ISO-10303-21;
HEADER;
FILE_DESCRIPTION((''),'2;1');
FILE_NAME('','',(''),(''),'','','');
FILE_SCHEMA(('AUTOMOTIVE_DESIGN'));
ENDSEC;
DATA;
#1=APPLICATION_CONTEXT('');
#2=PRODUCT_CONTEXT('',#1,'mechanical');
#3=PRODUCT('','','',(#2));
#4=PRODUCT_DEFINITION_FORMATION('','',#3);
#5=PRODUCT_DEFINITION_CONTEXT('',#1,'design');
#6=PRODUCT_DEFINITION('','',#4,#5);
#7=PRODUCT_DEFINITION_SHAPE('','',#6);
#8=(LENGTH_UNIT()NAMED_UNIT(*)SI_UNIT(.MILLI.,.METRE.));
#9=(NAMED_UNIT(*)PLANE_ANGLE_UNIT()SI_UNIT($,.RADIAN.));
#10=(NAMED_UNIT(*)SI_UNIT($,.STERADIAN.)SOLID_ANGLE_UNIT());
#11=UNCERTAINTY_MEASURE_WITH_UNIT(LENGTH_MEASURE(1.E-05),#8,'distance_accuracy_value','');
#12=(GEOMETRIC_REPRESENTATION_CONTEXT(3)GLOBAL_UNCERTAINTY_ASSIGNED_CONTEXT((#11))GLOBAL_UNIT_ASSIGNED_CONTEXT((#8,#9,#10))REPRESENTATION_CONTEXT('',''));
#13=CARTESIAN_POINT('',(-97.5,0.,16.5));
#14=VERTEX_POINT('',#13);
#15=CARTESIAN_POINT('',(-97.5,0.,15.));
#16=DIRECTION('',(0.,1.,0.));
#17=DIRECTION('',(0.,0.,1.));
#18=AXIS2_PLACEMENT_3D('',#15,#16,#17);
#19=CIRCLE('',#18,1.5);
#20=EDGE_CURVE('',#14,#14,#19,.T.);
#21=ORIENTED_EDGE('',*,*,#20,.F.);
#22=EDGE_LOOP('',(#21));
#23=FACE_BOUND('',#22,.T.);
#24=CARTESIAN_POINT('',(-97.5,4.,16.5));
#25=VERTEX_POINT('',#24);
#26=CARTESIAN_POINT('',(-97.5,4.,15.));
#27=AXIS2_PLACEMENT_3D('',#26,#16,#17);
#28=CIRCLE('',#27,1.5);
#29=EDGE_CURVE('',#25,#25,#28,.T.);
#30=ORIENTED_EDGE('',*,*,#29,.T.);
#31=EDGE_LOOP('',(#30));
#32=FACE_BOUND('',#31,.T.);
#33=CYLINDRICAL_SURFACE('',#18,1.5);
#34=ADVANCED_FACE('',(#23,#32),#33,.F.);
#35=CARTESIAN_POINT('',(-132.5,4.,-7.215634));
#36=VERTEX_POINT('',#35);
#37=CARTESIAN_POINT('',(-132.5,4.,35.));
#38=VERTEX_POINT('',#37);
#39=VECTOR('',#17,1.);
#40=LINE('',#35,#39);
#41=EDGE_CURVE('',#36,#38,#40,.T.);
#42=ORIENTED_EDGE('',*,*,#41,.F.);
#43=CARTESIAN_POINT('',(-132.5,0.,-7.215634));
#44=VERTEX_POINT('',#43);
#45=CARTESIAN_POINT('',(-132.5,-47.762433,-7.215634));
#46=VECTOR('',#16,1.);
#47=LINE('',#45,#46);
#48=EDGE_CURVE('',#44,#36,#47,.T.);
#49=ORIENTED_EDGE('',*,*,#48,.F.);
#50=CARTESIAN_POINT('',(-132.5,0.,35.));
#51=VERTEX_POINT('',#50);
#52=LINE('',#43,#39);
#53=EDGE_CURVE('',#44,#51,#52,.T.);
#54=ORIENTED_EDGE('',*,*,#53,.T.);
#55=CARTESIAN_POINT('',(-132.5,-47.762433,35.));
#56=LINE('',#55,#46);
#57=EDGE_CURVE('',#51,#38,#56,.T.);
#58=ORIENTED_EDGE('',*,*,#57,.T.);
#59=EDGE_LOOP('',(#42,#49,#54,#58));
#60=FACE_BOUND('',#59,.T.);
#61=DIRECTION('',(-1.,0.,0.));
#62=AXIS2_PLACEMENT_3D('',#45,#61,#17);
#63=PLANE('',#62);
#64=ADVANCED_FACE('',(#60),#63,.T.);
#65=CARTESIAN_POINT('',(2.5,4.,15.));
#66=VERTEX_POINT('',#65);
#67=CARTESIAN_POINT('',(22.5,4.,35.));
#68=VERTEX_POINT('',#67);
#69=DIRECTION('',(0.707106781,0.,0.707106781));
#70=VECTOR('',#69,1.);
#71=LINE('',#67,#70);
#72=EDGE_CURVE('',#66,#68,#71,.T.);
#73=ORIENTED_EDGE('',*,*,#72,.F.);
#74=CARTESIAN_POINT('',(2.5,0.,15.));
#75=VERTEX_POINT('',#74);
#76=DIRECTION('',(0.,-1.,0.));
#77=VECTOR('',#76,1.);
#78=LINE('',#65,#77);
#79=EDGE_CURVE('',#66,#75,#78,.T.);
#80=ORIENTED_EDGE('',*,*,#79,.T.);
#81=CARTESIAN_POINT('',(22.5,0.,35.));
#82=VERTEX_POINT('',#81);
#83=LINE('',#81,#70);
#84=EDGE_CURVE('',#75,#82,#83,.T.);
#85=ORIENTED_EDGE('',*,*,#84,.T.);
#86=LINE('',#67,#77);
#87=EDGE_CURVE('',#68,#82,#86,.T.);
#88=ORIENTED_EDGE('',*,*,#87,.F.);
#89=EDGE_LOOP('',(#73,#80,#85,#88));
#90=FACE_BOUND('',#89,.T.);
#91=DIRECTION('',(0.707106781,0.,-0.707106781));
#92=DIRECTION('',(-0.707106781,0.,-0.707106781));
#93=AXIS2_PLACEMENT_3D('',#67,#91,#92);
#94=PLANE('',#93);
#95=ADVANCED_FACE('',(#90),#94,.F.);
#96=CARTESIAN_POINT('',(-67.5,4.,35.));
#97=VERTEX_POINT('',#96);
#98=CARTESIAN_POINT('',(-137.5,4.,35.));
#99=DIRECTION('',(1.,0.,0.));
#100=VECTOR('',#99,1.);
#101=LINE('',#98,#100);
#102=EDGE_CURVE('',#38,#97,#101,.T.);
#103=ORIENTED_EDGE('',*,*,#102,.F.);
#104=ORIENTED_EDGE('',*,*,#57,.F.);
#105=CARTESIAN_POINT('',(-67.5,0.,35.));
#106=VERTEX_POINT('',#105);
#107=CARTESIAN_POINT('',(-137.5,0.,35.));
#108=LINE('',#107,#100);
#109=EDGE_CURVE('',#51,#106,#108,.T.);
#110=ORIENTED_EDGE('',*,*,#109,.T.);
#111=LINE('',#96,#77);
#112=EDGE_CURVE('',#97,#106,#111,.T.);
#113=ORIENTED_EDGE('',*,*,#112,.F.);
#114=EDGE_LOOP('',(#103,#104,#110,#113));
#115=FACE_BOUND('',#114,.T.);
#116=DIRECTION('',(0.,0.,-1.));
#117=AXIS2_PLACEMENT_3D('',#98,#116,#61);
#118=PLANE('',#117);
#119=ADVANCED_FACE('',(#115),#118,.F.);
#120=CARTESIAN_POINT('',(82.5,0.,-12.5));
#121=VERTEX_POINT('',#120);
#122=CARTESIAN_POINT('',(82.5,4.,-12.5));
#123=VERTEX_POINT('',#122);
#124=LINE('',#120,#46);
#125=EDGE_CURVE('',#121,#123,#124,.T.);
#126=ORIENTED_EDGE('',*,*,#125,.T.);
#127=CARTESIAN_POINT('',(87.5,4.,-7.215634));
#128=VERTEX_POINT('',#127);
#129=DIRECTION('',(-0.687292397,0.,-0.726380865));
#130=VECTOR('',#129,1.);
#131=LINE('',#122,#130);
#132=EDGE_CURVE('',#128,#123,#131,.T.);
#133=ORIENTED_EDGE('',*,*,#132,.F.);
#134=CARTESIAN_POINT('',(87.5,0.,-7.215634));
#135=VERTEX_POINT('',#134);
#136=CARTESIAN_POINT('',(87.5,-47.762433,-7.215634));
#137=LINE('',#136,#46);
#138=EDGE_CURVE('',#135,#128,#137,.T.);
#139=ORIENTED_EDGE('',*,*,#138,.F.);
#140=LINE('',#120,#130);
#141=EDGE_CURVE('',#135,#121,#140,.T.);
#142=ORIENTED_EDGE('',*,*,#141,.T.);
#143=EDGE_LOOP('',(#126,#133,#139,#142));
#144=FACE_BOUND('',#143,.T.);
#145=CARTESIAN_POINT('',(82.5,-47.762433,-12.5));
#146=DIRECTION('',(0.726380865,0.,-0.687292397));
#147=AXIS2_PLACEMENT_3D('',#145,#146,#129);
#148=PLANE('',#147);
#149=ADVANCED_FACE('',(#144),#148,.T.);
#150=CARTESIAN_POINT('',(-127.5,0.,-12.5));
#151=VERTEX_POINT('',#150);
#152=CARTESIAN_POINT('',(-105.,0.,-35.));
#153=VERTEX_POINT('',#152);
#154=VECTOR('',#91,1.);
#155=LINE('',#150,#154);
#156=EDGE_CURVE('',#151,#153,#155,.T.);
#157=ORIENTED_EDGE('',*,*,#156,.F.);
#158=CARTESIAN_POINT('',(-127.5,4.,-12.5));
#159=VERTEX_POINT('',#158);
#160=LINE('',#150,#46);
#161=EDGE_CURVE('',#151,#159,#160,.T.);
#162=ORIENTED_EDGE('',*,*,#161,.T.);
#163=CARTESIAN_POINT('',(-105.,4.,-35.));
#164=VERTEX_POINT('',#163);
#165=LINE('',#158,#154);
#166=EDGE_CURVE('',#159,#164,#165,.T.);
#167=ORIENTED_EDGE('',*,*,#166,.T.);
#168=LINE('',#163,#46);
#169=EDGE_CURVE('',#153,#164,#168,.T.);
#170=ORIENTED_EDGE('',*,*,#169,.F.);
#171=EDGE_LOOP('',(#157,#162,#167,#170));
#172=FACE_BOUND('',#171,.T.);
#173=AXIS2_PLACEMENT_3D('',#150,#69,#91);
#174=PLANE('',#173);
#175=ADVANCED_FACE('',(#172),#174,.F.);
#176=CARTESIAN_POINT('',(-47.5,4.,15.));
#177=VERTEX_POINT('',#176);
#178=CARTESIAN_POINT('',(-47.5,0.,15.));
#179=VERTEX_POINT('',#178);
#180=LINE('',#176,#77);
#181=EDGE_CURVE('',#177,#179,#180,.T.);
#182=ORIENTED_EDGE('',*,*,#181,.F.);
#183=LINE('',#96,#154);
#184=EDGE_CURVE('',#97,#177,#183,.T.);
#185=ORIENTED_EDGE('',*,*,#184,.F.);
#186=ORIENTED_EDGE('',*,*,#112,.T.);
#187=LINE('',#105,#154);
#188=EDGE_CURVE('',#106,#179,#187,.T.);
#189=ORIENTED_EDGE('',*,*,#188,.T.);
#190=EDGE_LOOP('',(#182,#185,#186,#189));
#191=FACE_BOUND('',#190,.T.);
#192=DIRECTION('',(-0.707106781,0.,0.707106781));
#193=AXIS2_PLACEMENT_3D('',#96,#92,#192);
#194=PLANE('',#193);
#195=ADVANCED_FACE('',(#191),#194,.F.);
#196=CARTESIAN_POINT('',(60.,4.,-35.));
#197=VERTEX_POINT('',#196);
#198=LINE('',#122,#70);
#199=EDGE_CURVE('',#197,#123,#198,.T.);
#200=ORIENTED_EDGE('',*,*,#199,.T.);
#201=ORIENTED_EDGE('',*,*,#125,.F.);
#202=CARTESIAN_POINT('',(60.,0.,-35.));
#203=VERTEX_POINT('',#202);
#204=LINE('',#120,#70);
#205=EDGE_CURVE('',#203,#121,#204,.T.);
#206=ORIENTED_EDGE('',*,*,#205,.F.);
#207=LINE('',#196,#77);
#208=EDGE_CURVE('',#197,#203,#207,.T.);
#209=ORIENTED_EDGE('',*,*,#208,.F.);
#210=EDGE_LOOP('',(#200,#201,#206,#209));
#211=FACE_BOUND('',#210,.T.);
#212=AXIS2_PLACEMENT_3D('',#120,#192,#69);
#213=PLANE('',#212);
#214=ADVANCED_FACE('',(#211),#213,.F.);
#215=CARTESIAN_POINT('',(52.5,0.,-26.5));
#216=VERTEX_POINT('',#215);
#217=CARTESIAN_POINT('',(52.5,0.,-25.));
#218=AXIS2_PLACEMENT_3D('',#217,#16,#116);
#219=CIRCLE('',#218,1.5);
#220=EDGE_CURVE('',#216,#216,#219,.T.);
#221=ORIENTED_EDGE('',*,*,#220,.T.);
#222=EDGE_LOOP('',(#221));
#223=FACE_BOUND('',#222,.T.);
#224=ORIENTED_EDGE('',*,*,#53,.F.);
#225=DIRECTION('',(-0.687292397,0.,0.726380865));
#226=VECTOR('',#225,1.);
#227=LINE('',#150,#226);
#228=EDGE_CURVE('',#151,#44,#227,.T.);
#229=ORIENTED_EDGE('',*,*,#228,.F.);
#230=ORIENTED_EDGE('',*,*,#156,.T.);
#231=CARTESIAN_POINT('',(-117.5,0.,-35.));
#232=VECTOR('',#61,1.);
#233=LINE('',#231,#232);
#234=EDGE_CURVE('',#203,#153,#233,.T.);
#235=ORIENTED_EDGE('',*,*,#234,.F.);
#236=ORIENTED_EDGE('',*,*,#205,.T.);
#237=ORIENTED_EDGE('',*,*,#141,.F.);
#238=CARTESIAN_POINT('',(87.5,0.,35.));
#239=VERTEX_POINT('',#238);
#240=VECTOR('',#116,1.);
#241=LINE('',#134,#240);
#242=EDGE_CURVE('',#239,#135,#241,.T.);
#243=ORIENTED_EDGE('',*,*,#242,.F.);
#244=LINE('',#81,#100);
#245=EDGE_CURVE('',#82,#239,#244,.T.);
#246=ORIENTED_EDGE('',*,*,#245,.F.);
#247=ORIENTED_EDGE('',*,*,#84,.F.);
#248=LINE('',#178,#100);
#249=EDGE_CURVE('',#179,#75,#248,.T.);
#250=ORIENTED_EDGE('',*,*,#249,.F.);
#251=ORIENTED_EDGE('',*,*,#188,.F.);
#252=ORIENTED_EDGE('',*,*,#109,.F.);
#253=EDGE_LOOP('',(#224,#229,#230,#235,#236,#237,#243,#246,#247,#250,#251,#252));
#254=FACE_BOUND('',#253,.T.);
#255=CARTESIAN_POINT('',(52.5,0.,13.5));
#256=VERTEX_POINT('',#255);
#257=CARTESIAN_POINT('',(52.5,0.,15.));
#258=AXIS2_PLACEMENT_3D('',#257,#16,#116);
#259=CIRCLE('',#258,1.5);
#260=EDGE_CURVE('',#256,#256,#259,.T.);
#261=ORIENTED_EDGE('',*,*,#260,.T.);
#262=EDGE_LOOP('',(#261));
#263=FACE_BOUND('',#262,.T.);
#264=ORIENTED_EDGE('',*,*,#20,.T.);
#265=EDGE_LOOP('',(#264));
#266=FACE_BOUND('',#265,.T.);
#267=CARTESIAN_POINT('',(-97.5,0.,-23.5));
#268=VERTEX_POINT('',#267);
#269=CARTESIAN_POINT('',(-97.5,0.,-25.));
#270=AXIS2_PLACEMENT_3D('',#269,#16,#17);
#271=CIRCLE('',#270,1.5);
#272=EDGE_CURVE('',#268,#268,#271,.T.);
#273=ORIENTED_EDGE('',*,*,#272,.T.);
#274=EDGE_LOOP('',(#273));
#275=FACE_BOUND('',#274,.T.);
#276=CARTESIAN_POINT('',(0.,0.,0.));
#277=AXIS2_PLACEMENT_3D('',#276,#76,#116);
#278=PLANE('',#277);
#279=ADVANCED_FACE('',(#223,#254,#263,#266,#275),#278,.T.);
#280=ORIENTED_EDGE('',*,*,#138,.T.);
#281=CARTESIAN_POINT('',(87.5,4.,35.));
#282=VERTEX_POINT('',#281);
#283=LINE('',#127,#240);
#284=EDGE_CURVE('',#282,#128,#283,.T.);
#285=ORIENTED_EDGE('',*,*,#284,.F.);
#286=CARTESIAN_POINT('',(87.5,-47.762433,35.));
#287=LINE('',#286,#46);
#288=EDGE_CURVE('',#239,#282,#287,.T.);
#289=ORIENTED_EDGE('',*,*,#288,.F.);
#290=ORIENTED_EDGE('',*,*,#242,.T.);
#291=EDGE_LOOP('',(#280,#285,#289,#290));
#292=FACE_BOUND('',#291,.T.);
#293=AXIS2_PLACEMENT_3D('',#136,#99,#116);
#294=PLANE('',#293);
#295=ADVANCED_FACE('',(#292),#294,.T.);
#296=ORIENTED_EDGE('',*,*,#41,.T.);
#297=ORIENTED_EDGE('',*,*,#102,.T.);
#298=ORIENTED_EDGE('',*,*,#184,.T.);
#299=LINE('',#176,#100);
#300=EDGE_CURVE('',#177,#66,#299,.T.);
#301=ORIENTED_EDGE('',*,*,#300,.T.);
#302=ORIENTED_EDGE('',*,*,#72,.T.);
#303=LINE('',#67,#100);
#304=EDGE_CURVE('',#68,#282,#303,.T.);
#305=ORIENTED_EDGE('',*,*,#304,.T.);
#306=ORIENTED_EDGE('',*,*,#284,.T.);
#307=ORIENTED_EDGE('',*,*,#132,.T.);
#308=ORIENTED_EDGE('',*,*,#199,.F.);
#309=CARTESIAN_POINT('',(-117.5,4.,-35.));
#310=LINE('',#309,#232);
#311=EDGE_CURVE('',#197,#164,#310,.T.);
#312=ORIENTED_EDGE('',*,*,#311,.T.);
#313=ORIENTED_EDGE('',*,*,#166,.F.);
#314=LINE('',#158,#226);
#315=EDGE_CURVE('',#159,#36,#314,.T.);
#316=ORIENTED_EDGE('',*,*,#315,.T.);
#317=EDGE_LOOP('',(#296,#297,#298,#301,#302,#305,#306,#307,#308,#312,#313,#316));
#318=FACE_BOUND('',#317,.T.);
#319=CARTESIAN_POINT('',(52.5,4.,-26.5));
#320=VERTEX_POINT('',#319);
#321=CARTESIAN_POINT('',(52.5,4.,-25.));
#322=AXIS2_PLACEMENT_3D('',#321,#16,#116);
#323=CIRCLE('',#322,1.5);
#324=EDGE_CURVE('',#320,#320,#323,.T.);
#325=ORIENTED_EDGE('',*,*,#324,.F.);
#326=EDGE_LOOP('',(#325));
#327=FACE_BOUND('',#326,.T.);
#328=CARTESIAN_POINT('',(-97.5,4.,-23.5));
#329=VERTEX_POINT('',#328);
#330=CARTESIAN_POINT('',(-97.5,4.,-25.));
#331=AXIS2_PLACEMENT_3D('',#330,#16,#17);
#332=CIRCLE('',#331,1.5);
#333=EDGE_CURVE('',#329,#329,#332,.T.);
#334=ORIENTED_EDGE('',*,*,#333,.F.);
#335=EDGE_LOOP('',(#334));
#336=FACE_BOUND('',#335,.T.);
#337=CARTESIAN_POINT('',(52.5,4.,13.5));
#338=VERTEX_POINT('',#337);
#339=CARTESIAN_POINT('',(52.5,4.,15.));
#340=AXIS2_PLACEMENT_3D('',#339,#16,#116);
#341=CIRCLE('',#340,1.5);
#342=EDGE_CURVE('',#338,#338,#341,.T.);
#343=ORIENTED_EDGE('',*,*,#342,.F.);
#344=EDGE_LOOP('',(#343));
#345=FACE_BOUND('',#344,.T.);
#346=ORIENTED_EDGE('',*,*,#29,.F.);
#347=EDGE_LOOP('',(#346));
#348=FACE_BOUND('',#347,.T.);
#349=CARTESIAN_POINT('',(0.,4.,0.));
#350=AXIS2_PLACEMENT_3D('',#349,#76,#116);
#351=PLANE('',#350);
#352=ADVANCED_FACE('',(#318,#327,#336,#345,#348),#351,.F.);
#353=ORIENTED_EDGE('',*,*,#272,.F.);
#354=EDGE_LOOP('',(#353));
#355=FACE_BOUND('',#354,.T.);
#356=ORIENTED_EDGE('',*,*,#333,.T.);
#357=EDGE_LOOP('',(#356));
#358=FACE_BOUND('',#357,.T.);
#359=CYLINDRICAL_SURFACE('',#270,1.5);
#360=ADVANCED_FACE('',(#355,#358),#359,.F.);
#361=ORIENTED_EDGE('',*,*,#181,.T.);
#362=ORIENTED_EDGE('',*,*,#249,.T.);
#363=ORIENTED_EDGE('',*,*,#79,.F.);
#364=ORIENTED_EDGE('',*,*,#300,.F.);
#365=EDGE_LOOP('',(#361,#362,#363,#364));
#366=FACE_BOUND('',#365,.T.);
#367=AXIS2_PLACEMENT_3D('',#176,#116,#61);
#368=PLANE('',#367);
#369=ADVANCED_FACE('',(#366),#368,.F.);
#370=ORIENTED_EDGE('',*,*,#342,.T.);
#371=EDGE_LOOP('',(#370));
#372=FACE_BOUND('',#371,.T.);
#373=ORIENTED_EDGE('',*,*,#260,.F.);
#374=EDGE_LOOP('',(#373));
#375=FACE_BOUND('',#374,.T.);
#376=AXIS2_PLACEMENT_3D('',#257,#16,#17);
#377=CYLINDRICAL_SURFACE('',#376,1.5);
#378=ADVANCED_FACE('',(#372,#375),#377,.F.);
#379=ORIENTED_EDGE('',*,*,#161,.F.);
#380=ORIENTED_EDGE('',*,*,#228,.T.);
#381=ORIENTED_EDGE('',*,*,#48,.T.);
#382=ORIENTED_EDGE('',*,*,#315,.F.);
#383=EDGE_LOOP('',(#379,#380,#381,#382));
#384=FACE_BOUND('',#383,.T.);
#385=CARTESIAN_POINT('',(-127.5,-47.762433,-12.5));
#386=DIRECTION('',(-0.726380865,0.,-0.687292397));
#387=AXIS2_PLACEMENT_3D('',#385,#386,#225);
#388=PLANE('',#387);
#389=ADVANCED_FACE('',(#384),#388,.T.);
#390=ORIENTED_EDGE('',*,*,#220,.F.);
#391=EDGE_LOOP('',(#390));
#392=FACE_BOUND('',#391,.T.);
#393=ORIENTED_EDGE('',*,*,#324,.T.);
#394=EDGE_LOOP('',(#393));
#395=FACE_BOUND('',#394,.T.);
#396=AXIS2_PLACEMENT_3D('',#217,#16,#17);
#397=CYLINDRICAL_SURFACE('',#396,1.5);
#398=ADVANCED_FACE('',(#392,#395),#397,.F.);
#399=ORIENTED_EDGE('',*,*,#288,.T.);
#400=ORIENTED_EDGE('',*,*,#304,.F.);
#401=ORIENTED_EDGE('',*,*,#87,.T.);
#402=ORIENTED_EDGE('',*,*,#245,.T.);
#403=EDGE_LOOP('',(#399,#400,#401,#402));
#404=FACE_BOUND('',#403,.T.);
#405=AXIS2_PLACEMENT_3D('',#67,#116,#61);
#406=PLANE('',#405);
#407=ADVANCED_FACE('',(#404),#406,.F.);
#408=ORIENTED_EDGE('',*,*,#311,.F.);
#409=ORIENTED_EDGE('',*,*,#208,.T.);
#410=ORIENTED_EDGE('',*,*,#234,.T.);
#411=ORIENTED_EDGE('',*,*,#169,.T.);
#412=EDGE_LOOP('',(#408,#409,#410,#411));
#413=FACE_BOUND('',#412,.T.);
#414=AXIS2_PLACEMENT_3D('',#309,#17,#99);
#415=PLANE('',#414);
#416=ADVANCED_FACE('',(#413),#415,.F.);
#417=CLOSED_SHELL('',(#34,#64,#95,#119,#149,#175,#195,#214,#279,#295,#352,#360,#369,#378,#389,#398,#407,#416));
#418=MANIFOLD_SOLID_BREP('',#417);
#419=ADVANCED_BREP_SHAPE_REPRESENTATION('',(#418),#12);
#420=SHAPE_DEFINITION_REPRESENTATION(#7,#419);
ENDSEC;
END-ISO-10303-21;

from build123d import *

# Parameters (mm, degrees)
EXTRUDE_1_DEPTH     = 4
SKETCH_2_R          = 1.5
CUT_EXTRUDE_1_DEPTH = 4
SKETCH_3_W          = 10
SKETCH_3_H          = 69.678883607
SKETCH_3_H_2        = 93.047687854
CUT_EXTRUDE_2_DEPTH = 4
CUT_EXTRUDE_3_DEPTH = 4
EXTRUDE_2_DEPTH     = 4


with BuildPart() as part:
    # 草图1 → 凸台-拉伸1 (new body)
    with BuildSketch(Plane(origin=(0, 0, 0), x_dir=(1, 0, 0), z_dir=(0, 1, 0))):
        Polygon((-67.5, -35), (-47.5, -15), (2.5, -15), (22.5, -35), (92.5, -35), (92.5, 15), (72.5, 35), (-117.5, 35), (-137.5, 15), (-137.5, -35), align=None)
    extrude(amount=EXTRUDE_1_DEPTH)

    # 草图2 → 切除-拉伸1 (cut)
    with BuildSketch(Plane(origin=(0, 4, 0), x_dir=(1, 0, 0), z_dir=(0, 1, 0))):
        with Locations(Location((-97.5, -15, 0), (0, 0, 270))):
            Circle(SKETCH_2_R)
        with Locations(Location((-97.5, 25, 0), (0, 0, 270))):
            Circle(SKETCH_2_R)
        with Locations(Location((52.5, 25, 0), (0, 0, 90))):
            Circle(SKETCH_2_R)
        with Locations(Location((52.5, -15, 0), (0, 0, 90))):
            Circle(SKETCH_2_R)
    extrude(amount=-CUT_EXTRUDE_1_DEPTH, mode=Mode.SUBTRACT)

    # 草图3 → 切除-拉伸2 (cut)
    with BuildSketch(Plane(origin=(0, 4, 0), x_dir=(1, 0, 0), z_dir=(0, 1, 0))):
        with Locations((-132.5, -0.160558196)):
            Rectangle(SKETCH_3_W, SKETCH_3_H)
        with Locations((87.5, 11.523843927)):
            Rectangle(SKETCH_3_W, SKETCH_3_H_2)
    extrude(amount=-CUT_EXTRUDE_2_DEPTH, mode=Mode.SUBTRACT)

    # 草图4 → 切除-拉伸3 (cut)
    with BuildSketch(Plane(origin=(0, 4, 0), x_dir=(1, 0, 0), z_dir=(0, 1, 0))):
        Polygon((-127.5, 12.5), (-92.197077218, 47.802922782), (-150.178982695, 47.802922782), align=None)
        Polygon((82.5, 12.5), (37.005283765, 57.994716235), (96.544114713, 56.205234398), align=None)
    extrude(amount=-CUT_EXTRUDE_3_DEPTH, mode=Mode.SUBTRACT)

    # 草图5 → 凸台-拉伸2 (add)
    with BuildSketch(Plane(origin=(0, 4, 0), x_dir=(1, 0, 0), z_dir=(0, 1, 0))):
        Polygon((-127.5, 12.5), (-132.5, 7.215634365), (-132.5, -35), (-127.5, -35), align=None)
        Polygon((82.5, -35), (82.5, 12.5), (87.5, 7.215634365), (87.5, -35), align=None)
    extrude(amount=-EXTRUDE_2_DEPTH)


solid = part.part
